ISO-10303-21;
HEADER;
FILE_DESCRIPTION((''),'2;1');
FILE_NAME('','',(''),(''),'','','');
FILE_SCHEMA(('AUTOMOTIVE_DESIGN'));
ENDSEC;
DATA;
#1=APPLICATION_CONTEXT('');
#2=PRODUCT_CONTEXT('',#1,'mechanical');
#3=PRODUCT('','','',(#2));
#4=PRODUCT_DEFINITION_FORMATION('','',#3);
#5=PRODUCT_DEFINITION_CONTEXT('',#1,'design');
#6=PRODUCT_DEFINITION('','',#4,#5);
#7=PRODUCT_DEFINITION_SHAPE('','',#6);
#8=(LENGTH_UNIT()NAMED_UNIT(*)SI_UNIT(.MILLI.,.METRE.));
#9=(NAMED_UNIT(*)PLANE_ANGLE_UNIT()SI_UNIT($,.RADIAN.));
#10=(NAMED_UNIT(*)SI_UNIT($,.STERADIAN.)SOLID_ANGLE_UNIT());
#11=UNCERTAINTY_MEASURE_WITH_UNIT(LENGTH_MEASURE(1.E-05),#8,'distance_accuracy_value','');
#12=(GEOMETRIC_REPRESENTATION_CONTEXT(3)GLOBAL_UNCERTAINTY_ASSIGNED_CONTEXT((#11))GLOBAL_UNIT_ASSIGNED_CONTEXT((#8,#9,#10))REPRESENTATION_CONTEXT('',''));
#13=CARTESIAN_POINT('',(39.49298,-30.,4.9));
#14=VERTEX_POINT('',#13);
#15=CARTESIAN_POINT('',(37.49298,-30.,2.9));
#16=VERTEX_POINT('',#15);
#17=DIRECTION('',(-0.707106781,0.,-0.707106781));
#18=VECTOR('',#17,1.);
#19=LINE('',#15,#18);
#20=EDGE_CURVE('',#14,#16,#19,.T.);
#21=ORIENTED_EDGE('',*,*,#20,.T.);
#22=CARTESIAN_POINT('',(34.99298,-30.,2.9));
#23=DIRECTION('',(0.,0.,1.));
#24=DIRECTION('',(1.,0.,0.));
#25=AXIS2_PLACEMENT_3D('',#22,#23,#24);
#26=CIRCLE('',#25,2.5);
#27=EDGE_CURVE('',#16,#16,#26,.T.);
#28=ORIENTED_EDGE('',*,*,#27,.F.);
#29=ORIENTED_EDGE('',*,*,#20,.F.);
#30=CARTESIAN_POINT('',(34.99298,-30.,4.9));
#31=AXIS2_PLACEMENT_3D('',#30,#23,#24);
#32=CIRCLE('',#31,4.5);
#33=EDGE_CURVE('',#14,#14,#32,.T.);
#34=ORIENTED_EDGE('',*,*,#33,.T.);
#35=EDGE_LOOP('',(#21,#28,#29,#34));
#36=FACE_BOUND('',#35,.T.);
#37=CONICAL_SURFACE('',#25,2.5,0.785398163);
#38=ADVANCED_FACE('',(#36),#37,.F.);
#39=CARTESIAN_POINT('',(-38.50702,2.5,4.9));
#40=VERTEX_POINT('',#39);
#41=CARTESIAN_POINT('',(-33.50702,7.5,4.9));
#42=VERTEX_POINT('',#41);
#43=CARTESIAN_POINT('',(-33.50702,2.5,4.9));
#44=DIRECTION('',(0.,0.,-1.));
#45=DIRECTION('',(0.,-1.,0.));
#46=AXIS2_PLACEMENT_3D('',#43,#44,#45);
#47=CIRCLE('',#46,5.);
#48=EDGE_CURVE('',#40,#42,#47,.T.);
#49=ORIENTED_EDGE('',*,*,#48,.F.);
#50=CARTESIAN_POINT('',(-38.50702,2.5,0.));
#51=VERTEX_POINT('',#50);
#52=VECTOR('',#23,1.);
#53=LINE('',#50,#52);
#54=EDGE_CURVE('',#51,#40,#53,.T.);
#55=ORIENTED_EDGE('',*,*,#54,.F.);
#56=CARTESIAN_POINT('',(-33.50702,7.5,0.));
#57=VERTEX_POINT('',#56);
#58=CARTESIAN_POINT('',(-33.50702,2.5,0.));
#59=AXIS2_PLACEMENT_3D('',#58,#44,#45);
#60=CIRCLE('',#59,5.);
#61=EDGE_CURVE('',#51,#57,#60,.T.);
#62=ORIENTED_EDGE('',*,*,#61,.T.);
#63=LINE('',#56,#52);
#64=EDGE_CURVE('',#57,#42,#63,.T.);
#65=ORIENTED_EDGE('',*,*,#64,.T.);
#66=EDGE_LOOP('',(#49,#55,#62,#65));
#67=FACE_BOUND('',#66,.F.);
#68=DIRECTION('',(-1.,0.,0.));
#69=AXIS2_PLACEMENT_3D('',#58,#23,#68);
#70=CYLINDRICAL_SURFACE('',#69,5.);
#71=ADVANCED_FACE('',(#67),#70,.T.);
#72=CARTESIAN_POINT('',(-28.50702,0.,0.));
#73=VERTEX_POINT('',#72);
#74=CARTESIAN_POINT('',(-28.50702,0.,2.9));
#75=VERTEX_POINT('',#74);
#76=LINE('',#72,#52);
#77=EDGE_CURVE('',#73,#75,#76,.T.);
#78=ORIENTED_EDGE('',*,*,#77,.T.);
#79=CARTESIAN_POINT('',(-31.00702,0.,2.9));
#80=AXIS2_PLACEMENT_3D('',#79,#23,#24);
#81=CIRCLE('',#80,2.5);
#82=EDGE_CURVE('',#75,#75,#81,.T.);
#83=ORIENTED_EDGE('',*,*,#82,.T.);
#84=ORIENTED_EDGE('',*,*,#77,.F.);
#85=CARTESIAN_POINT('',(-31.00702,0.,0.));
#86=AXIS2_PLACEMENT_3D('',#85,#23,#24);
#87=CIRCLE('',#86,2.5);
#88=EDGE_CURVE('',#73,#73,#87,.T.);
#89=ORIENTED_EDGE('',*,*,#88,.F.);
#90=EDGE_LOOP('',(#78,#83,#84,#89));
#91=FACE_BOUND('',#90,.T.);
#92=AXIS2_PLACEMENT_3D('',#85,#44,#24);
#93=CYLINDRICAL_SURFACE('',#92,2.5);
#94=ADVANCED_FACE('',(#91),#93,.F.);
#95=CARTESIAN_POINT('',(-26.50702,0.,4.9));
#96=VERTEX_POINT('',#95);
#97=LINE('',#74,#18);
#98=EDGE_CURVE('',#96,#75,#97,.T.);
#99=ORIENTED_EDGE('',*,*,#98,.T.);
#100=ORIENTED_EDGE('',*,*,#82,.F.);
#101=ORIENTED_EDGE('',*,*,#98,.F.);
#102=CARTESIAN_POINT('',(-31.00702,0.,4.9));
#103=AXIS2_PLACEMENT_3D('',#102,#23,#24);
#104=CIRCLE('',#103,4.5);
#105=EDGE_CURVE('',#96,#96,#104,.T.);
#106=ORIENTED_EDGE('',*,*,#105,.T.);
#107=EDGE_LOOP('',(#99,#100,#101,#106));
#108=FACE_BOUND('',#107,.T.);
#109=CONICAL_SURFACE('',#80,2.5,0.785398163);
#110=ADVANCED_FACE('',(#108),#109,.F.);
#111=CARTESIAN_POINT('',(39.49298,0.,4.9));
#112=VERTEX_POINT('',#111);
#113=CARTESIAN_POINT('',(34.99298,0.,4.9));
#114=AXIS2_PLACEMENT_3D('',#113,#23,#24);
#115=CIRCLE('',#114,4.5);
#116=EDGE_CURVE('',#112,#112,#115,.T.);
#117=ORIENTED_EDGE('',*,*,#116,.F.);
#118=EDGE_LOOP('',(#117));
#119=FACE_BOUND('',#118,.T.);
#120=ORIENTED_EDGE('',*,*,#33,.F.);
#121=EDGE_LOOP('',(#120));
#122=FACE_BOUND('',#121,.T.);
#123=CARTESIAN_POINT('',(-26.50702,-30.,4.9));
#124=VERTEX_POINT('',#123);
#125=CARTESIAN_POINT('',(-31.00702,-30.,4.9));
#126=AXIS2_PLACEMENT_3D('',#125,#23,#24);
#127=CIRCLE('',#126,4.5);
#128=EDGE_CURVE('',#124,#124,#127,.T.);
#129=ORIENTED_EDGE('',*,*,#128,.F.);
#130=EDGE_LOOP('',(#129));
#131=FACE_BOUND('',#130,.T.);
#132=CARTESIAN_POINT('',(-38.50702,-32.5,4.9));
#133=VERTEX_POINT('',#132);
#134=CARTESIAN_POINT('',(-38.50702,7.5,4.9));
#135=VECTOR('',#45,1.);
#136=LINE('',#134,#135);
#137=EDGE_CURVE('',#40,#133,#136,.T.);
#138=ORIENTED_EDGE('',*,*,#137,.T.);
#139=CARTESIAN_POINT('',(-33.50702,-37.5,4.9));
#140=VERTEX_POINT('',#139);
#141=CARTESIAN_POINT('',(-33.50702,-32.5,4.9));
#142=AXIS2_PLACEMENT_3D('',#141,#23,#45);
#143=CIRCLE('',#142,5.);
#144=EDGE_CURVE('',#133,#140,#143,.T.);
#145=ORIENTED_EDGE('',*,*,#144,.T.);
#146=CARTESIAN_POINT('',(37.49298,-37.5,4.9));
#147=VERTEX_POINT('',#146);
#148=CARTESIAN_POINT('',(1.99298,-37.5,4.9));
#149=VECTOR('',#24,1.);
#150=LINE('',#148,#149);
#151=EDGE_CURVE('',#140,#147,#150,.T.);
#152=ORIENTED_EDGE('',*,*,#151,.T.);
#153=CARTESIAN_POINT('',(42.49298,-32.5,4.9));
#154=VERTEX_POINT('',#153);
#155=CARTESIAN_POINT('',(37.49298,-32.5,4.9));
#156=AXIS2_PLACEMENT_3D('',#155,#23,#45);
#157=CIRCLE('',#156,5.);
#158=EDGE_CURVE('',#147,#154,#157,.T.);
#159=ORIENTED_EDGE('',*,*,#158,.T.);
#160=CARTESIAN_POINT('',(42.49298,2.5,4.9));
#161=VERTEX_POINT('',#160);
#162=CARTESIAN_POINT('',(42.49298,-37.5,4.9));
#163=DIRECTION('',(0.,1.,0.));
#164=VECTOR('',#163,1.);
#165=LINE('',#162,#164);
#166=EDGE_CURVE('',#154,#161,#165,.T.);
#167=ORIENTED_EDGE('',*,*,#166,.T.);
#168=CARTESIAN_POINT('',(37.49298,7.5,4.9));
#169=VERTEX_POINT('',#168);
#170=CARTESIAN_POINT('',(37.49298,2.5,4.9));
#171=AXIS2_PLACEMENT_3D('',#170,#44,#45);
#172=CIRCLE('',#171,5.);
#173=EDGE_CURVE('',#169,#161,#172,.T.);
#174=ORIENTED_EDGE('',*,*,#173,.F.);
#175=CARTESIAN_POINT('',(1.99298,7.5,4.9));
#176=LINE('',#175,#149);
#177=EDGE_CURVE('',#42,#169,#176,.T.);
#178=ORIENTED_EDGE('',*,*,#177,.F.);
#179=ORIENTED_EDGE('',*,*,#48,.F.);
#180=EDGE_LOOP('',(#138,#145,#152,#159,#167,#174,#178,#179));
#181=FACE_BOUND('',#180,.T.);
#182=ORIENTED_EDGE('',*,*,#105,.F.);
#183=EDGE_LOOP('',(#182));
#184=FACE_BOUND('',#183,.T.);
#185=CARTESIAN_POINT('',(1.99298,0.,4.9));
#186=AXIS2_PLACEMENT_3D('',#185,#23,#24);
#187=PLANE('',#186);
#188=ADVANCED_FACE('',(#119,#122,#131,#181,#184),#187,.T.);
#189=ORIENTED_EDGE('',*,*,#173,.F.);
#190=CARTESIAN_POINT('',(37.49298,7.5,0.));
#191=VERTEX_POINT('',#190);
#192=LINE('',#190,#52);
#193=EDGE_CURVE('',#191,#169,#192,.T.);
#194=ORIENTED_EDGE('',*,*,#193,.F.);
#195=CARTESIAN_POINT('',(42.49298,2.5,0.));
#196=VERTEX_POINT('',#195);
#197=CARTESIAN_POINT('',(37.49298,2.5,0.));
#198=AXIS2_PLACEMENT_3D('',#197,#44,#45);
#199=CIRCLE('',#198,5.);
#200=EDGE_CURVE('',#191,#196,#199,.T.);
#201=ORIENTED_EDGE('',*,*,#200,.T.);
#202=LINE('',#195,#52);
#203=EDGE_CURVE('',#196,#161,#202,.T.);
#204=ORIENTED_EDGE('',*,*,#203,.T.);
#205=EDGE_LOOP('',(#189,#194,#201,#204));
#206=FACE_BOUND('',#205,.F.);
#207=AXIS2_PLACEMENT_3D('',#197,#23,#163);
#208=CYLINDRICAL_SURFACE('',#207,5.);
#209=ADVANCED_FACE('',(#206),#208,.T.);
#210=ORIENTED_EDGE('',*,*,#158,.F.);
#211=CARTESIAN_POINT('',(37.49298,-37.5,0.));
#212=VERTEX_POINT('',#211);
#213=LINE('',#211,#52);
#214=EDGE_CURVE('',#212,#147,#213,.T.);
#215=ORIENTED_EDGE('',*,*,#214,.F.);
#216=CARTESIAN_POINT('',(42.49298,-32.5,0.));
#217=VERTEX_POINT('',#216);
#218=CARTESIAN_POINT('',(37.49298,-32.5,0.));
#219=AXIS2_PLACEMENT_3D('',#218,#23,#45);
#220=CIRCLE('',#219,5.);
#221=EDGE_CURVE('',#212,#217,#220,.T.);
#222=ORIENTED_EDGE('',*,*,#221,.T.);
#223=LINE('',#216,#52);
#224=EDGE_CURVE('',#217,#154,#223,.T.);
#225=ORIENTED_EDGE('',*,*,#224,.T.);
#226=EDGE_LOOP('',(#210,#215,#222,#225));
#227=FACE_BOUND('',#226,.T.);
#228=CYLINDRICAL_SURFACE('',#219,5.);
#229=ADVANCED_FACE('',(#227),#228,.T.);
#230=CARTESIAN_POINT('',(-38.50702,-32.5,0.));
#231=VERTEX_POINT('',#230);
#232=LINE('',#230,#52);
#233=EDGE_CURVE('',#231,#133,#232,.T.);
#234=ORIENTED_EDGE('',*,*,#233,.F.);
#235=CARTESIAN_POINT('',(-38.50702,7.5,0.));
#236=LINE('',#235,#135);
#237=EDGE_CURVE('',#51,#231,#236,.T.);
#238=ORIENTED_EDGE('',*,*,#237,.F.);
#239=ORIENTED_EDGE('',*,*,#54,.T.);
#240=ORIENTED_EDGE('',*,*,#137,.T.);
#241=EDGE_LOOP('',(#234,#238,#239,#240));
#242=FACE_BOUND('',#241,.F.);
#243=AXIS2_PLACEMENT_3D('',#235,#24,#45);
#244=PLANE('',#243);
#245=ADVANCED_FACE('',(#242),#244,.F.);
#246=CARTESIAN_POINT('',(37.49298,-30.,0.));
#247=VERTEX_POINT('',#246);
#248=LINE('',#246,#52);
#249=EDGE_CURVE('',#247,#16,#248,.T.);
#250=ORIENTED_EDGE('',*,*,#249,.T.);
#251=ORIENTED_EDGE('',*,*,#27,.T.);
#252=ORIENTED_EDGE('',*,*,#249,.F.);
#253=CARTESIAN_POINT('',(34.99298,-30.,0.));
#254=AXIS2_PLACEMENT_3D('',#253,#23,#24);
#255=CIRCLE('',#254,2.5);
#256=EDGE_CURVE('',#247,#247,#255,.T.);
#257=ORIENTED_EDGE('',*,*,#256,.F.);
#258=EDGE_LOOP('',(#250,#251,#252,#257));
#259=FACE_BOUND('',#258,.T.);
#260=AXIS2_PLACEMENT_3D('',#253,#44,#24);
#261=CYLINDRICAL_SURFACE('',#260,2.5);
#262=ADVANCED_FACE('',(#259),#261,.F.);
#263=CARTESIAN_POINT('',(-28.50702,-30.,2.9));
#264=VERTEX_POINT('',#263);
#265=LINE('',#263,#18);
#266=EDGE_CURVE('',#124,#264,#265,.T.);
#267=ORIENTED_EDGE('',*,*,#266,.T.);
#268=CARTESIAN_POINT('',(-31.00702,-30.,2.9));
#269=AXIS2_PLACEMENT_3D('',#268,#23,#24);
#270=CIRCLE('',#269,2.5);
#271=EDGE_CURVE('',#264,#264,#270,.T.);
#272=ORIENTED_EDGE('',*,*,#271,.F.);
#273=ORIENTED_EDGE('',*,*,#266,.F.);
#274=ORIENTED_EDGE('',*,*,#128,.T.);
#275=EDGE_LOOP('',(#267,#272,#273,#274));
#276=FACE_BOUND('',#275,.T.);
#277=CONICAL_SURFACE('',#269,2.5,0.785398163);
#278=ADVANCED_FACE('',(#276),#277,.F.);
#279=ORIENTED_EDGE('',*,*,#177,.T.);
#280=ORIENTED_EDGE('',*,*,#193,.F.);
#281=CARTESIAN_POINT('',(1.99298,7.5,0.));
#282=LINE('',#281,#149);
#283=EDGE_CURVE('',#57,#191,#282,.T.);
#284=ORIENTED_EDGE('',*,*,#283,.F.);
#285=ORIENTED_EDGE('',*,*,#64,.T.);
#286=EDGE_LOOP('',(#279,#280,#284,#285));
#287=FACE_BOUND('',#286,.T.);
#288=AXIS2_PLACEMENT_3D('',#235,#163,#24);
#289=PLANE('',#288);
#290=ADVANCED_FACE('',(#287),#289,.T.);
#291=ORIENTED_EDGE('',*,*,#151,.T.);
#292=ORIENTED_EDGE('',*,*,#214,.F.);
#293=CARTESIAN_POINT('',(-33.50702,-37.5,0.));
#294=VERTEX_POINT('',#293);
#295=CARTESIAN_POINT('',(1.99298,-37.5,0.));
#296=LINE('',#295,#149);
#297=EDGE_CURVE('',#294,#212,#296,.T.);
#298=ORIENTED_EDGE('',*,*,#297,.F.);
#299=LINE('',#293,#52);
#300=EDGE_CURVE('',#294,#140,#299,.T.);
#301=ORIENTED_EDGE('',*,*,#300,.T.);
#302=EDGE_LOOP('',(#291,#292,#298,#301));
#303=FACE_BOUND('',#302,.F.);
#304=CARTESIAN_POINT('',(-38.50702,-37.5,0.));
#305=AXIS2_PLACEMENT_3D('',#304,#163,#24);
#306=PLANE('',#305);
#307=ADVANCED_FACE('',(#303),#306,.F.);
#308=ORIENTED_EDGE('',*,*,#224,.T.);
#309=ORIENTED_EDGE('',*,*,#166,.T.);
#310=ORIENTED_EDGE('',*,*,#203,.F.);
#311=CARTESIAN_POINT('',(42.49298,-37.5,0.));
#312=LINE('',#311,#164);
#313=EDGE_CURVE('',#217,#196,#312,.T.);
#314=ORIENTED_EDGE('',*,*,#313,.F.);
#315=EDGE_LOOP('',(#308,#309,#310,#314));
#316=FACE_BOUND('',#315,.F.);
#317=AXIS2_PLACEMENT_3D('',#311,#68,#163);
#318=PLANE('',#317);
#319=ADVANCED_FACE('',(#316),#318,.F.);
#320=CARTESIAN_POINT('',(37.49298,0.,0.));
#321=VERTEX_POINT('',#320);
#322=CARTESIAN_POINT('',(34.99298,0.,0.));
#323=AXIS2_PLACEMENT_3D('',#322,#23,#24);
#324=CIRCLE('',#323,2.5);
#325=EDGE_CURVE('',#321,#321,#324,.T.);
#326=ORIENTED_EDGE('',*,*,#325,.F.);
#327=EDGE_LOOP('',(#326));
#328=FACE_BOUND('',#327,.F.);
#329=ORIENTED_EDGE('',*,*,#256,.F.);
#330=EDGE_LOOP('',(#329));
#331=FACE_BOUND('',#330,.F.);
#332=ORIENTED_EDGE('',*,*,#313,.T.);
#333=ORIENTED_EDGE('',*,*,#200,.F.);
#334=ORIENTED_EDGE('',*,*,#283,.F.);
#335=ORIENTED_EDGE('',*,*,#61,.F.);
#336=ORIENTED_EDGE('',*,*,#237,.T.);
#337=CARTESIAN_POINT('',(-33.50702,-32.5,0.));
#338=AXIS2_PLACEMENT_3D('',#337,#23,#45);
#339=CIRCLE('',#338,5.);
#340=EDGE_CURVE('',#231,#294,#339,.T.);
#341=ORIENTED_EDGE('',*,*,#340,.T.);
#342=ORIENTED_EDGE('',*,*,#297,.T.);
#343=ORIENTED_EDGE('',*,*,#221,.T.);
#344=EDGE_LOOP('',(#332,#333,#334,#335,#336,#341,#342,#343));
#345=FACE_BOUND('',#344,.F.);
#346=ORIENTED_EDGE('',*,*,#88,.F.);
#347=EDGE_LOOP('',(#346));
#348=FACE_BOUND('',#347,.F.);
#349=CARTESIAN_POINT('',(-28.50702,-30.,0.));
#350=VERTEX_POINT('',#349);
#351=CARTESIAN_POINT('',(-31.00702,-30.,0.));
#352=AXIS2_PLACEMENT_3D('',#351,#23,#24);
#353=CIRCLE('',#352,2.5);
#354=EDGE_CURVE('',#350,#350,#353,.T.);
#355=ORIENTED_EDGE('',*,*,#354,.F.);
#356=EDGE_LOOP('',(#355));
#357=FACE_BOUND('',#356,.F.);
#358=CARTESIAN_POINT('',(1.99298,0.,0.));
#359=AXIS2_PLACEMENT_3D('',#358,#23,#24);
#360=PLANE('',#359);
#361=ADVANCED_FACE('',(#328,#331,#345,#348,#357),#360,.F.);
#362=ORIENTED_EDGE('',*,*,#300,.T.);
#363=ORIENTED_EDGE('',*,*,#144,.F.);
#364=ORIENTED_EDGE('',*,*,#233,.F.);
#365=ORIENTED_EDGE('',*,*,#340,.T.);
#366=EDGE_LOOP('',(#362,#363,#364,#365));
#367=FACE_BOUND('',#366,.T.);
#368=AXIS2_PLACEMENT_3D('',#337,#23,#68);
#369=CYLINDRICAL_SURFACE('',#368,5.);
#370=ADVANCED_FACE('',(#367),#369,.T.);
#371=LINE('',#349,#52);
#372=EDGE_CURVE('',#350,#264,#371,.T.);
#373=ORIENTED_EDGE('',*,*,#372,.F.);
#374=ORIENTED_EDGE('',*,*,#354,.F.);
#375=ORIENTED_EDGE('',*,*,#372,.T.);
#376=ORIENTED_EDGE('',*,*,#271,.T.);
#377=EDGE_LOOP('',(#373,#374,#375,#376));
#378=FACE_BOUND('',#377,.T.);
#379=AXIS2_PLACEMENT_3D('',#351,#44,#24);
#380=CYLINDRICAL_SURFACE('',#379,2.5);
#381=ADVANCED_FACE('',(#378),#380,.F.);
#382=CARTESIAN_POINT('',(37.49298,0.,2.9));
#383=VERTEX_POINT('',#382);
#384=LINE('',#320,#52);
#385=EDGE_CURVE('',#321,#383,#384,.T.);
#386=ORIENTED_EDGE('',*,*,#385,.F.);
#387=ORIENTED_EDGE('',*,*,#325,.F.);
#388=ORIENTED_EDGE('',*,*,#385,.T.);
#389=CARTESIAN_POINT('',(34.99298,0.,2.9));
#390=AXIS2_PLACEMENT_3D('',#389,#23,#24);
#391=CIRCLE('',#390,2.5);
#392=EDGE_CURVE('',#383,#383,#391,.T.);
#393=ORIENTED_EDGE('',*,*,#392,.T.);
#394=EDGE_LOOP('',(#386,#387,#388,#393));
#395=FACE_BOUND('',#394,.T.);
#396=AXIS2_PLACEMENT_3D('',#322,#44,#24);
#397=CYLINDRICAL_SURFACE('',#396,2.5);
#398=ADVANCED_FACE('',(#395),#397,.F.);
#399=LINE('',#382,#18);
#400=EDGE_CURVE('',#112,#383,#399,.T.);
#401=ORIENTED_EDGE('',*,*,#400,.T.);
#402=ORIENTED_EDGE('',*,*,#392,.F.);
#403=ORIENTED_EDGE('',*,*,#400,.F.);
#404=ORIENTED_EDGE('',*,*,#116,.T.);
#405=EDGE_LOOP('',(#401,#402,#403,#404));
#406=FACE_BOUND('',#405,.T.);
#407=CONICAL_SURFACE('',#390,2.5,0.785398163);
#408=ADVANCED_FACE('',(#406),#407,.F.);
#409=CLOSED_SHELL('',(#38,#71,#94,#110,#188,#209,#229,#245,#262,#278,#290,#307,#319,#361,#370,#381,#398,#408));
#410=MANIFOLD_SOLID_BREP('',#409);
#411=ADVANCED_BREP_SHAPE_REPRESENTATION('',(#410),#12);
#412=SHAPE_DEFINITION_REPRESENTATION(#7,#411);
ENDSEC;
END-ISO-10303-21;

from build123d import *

# Parameters (mm, degrees)
F0_W     = 81
F0_H     = 15
F0_R     = 2.5
F0_H_2   = 30
F1_DEPTH = 4.9
F2_R     = 5
F3_R     = 5
F4_SIZE  = 2


with BuildPart() as f1:
    # F0 (on Top) → F1 (new body)
    with BuildSketch(Plane.XY):
        with Locations((1.9929800031, 0)):
            Rectangle(F0_W, F0_H)
        with Locations((-31.0070199969, 0)):
            Circle(F0_R, mode=Mode.SUBTRACT)
        with Locations((34.9929800031, 0)):
            Circle(F0_R, mode=Mode.SUBTRACT)
        with Locations((1.9929800031, -22.5)):
            Rectangle(F0_W, F0_H_2)
        with Locations((-31.0070199969, -30)):
            Circle(F0_R, mode=Mode.SUBTRACT)
        with Locations((34.9929800031, -30)):
            Circle(F0_R, mode=Mode.SUBTRACT)
    extrude(amount=F1_DEPTH)

    # F2
    f2_edges = [f1.edges().sort_by_distance(p)[0] for p in [
        (42.49298, 7.5, 2.45),
        (-38.50702, 7.5, 2.45),
    ]]
    fillet(f2_edges, radius=F2_R)

    # F3
    f3_edges = [f1.edges().sort_by_distance(p)[0] for p in [
        (42.49298, -37.5, 2.45),
        (-38.50702, -37.5, 2.45),
    ]]
    fillet(f3_edges, radius=F3_R)

    # F4
    f4_edges = [f1.edges().sort_by_distance(p)[0] for p in [
        (32.49298, 0, 4.9),
        (32.49298, -30, 4.9),
        (-33.50702, 0, 4.9),
        (-33.50702, -30, 4.9),
    ]]
    chamfer(f4_edges, length=F4_SIZE)


solid = f1.part
